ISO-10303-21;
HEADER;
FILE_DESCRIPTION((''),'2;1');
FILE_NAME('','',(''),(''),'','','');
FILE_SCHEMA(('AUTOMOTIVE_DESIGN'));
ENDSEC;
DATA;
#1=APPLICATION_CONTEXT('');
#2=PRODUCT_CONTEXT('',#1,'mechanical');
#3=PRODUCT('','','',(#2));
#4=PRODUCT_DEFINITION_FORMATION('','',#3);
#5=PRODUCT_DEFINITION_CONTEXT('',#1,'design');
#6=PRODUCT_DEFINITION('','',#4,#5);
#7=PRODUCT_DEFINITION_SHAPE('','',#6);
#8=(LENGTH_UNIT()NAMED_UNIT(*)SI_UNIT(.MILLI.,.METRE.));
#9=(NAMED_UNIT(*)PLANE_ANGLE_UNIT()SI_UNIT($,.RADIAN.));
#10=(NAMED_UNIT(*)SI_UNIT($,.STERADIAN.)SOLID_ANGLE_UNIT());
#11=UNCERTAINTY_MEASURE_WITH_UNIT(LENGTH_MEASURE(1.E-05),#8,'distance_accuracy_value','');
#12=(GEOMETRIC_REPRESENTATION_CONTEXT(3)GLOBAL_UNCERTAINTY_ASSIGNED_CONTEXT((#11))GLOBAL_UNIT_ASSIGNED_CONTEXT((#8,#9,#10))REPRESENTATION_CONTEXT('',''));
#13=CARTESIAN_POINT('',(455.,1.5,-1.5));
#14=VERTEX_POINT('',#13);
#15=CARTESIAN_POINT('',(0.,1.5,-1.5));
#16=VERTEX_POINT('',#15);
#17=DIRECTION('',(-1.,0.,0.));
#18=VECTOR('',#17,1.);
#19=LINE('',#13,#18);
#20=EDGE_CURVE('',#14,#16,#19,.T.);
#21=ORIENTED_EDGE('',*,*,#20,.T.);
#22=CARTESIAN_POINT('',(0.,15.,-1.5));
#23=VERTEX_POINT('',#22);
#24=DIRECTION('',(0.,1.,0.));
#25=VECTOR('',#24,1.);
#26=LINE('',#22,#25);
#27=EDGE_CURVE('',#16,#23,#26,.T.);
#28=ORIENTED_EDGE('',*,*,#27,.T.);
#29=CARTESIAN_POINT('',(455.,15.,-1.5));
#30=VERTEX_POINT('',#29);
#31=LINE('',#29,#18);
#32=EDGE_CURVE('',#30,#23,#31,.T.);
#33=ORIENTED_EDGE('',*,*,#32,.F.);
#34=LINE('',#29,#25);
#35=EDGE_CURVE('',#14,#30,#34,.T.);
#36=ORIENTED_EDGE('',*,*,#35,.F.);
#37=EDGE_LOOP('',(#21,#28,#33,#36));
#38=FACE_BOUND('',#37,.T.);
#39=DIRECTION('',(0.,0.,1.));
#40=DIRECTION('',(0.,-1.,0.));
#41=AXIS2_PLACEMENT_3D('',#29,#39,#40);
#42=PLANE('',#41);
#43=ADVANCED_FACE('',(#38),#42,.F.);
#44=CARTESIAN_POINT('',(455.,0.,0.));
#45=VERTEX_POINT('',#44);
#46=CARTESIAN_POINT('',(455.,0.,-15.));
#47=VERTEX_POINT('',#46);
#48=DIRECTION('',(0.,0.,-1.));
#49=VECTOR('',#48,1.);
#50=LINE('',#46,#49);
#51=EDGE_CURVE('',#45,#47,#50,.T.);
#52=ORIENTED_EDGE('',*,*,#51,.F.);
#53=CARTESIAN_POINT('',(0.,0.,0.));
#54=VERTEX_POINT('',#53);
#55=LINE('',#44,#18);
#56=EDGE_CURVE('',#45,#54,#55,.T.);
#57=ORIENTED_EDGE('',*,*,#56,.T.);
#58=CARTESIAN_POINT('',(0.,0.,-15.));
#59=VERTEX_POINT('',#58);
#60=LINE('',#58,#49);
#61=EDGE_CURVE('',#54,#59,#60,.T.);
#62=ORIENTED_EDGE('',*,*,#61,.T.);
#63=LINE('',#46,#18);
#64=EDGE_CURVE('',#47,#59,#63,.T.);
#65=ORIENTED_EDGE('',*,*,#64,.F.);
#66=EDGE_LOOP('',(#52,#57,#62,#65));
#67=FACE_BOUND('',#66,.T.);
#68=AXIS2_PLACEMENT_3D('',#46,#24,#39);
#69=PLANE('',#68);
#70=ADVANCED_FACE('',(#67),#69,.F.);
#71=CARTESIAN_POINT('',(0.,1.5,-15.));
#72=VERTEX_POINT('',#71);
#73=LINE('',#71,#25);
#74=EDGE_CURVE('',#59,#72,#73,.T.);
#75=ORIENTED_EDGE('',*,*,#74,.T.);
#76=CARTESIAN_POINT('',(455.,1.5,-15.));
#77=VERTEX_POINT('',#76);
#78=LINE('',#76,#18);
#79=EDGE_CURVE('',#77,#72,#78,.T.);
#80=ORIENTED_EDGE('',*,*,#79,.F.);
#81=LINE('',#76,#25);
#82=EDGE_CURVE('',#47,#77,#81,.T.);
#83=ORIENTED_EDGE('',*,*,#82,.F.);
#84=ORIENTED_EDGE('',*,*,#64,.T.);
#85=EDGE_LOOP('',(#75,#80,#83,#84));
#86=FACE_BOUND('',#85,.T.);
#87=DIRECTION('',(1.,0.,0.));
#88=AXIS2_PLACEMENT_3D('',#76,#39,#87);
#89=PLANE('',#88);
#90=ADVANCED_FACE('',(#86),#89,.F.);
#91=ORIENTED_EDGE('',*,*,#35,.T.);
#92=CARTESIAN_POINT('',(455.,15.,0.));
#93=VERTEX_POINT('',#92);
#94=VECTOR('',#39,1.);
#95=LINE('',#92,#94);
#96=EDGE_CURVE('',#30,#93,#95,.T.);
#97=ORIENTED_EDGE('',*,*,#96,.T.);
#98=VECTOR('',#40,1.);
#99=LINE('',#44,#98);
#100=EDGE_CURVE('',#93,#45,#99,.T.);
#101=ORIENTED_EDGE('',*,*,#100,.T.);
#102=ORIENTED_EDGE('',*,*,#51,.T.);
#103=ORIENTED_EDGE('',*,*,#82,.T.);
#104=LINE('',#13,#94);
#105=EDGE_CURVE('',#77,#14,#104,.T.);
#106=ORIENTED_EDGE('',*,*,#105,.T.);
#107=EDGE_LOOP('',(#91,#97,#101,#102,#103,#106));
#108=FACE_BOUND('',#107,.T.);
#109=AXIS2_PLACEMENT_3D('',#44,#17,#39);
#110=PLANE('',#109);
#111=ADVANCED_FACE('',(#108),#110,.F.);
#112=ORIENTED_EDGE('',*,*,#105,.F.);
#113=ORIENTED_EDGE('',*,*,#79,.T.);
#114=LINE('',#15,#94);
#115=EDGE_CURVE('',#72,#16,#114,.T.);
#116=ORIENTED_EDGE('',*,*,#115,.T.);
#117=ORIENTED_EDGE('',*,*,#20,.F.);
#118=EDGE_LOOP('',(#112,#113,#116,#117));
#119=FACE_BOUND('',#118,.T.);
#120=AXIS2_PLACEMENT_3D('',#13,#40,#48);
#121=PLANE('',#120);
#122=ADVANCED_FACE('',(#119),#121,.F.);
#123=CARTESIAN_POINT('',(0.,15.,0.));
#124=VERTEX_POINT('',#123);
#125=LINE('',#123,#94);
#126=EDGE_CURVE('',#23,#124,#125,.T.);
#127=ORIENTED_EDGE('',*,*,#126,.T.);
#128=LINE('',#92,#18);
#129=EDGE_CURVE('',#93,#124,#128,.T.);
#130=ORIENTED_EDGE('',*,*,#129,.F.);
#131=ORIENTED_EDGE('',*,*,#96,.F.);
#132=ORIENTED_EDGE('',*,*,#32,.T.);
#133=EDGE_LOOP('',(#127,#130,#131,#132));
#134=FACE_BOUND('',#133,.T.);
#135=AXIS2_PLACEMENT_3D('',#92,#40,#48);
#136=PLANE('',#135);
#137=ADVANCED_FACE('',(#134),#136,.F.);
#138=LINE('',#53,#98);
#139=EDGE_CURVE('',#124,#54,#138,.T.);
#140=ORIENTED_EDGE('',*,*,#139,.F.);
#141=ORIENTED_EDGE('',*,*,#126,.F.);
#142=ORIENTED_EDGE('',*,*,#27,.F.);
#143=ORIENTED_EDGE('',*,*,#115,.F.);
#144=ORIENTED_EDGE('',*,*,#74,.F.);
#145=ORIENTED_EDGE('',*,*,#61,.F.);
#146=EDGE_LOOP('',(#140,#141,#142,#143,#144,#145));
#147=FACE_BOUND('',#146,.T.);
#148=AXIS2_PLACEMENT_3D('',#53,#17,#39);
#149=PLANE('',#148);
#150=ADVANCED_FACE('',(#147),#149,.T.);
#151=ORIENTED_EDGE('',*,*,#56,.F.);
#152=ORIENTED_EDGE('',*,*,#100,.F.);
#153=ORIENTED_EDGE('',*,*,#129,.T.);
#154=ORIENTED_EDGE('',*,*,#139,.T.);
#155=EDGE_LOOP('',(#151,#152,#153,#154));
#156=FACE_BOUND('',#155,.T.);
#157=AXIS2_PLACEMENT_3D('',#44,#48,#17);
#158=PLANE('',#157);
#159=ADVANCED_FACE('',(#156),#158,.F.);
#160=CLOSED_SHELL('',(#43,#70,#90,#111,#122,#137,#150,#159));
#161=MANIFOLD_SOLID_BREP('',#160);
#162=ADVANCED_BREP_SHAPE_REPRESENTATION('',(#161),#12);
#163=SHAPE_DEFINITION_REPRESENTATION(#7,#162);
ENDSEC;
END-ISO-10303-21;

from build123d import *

# Parameters (mm, degrees)
EXTRUDE_1_DEPTH = 455


with BuildPart() as part:
    # Эскиз1 → Бобышка-Вытянуть1 (new body)
    with BuildSketch(Plane(origin=(0, 0, 0), x_dir=(0, 0, -1), z_dir=(1, 0, 0))):
        Polygon((0, 0), (0, 15), (1.5, 15), (1.5, 1.5), (15, 1.5), (15, 0), align=None)
    extrude(amount=EXTRUDE_1_DEPTH)


solid = part.part
